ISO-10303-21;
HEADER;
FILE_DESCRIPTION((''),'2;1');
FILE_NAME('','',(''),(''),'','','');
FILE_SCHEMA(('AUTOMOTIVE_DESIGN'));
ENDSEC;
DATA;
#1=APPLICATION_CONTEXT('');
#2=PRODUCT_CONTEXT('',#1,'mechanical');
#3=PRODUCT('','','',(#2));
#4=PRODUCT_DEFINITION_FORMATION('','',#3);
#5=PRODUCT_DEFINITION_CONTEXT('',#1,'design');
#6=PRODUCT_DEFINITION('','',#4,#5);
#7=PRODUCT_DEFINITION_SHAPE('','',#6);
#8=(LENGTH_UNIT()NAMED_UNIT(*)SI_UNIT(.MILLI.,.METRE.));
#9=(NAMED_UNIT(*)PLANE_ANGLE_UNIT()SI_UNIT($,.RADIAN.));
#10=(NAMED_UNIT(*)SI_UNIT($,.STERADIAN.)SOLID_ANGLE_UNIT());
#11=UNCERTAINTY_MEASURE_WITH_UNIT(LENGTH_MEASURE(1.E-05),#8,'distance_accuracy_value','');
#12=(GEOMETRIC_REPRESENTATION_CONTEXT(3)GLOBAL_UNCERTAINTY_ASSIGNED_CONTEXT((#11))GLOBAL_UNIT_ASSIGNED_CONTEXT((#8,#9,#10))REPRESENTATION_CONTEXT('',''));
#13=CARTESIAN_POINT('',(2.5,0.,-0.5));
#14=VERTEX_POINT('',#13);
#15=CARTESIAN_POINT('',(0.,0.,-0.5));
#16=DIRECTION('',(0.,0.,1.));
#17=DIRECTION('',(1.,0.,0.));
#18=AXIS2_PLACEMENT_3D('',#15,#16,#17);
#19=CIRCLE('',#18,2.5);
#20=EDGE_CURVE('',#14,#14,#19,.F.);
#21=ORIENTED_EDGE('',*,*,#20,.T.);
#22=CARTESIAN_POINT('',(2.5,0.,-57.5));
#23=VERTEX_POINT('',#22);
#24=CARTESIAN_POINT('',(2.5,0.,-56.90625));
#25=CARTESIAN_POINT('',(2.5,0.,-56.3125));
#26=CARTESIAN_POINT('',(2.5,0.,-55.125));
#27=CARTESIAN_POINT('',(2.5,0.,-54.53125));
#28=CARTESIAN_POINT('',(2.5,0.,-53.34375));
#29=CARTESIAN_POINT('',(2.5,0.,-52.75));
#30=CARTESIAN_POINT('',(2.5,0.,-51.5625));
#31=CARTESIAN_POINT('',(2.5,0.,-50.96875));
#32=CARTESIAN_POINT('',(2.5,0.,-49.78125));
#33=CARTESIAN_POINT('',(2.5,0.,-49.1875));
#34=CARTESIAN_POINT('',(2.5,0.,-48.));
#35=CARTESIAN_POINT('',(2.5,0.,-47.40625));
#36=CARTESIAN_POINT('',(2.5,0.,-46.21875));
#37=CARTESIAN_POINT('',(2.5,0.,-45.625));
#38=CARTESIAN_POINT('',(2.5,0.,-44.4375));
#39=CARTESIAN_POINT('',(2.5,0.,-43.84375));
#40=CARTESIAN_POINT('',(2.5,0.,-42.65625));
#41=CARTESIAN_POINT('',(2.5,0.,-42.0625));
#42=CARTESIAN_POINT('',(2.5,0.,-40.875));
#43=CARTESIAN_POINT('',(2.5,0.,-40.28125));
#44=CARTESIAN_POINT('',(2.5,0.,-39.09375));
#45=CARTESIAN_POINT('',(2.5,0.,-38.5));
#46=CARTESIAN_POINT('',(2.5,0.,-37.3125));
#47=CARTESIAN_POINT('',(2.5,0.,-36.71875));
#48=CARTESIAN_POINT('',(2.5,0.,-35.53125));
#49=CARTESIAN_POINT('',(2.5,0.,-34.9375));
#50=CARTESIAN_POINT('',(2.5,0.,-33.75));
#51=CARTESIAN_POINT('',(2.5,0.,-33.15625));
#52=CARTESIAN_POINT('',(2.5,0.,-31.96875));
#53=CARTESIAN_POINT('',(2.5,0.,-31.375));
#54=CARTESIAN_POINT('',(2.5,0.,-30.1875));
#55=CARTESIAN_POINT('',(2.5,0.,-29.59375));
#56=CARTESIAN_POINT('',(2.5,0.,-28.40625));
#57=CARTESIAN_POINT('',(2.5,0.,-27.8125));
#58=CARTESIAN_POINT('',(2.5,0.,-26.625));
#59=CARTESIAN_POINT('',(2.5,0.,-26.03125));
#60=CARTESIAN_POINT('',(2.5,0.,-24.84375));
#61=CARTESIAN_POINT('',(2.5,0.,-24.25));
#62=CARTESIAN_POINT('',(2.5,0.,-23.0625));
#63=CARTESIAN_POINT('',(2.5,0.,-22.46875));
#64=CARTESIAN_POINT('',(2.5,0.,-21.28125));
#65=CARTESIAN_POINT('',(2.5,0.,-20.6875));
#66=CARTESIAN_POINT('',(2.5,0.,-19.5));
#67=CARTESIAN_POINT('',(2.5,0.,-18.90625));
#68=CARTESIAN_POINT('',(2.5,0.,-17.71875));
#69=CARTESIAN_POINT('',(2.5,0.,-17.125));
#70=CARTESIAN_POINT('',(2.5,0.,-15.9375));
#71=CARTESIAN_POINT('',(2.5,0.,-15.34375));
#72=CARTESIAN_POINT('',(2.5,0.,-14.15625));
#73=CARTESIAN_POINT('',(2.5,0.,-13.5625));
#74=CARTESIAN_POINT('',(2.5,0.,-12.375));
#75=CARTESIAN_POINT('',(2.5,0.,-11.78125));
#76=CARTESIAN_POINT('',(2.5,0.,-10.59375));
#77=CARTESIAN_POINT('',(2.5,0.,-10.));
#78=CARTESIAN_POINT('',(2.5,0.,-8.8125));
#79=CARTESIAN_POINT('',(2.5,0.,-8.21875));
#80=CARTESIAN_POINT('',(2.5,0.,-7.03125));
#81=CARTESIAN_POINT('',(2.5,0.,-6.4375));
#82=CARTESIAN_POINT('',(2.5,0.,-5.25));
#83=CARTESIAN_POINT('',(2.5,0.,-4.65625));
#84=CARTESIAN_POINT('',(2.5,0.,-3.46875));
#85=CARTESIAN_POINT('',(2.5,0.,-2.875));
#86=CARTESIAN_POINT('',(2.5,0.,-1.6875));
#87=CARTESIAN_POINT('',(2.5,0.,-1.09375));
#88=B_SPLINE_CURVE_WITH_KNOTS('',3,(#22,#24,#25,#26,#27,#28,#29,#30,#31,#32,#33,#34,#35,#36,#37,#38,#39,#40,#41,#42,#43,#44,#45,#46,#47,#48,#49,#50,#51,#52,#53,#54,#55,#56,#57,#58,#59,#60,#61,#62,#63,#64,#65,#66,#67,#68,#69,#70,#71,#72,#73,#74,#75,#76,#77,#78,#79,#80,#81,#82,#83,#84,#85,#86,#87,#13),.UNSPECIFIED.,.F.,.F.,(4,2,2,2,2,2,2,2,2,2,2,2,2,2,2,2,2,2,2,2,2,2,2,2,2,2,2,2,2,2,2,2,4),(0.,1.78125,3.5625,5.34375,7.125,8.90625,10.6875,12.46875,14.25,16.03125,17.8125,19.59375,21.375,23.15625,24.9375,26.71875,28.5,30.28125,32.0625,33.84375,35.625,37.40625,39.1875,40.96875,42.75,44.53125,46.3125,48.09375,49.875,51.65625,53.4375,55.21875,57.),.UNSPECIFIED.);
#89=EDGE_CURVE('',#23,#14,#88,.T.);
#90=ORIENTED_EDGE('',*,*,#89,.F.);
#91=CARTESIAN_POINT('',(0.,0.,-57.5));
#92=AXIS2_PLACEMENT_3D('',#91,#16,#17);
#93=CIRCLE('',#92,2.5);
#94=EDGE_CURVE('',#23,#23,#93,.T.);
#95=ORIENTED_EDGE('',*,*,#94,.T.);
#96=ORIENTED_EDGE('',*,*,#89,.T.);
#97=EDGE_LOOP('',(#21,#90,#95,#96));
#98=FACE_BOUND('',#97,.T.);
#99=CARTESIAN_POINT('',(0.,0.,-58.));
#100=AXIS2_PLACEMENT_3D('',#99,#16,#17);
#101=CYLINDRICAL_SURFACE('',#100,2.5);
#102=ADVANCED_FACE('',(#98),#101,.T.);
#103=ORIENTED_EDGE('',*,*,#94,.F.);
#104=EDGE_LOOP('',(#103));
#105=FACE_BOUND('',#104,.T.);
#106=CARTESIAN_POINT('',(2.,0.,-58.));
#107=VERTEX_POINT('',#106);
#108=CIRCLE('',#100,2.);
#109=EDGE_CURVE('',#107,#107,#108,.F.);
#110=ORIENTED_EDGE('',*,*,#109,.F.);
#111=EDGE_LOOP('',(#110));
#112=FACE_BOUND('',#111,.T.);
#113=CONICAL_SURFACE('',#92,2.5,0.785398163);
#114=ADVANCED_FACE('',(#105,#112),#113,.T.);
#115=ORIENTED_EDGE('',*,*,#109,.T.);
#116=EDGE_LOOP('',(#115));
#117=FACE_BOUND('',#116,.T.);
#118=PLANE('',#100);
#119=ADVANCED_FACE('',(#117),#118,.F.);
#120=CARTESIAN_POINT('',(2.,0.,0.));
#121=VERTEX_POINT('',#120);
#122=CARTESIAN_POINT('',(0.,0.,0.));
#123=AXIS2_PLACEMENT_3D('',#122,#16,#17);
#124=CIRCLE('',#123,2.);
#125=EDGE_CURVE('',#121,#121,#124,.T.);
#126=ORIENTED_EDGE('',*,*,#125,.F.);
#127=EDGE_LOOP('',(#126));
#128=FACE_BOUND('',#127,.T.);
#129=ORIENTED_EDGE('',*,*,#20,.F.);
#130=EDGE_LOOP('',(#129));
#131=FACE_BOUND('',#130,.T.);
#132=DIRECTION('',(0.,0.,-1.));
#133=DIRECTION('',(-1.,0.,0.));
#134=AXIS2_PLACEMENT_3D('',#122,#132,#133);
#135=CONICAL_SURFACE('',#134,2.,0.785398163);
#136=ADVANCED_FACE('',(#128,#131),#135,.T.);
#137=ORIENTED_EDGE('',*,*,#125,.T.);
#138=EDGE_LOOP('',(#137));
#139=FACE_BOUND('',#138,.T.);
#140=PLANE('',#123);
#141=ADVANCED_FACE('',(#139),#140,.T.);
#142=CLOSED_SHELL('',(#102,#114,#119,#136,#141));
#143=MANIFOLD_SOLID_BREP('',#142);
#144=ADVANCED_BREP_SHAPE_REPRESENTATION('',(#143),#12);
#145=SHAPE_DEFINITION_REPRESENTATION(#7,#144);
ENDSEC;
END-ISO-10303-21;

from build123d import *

# Parameters (mm, degrees)
CROQUIS1_R              = 2.5
SALIENTE_EXTRUIR1_DEPTH = 58
CHAFL_N1_SIZE           = 0.5


with BuildPart() as part:
    # Croquis1 → Saliente-Extruir1 (new body)
    with BuildSketch(Plane.XY):
        Circle(CROQUIS1_R)
    extrude(amount=-SALIENTE_EXTRUIR1_DEPTH)

    # Chaflán1
    chafl_n1_edges = [part.edges().sort_by_distance(p)[0] for p in [
        (-2.5, 0, 0),
        (-2.5, 0, -58),
    ]]
    chamfer(chafl_n1_edges, length=CHAFL_N1_SIZE)


solid = part.part
